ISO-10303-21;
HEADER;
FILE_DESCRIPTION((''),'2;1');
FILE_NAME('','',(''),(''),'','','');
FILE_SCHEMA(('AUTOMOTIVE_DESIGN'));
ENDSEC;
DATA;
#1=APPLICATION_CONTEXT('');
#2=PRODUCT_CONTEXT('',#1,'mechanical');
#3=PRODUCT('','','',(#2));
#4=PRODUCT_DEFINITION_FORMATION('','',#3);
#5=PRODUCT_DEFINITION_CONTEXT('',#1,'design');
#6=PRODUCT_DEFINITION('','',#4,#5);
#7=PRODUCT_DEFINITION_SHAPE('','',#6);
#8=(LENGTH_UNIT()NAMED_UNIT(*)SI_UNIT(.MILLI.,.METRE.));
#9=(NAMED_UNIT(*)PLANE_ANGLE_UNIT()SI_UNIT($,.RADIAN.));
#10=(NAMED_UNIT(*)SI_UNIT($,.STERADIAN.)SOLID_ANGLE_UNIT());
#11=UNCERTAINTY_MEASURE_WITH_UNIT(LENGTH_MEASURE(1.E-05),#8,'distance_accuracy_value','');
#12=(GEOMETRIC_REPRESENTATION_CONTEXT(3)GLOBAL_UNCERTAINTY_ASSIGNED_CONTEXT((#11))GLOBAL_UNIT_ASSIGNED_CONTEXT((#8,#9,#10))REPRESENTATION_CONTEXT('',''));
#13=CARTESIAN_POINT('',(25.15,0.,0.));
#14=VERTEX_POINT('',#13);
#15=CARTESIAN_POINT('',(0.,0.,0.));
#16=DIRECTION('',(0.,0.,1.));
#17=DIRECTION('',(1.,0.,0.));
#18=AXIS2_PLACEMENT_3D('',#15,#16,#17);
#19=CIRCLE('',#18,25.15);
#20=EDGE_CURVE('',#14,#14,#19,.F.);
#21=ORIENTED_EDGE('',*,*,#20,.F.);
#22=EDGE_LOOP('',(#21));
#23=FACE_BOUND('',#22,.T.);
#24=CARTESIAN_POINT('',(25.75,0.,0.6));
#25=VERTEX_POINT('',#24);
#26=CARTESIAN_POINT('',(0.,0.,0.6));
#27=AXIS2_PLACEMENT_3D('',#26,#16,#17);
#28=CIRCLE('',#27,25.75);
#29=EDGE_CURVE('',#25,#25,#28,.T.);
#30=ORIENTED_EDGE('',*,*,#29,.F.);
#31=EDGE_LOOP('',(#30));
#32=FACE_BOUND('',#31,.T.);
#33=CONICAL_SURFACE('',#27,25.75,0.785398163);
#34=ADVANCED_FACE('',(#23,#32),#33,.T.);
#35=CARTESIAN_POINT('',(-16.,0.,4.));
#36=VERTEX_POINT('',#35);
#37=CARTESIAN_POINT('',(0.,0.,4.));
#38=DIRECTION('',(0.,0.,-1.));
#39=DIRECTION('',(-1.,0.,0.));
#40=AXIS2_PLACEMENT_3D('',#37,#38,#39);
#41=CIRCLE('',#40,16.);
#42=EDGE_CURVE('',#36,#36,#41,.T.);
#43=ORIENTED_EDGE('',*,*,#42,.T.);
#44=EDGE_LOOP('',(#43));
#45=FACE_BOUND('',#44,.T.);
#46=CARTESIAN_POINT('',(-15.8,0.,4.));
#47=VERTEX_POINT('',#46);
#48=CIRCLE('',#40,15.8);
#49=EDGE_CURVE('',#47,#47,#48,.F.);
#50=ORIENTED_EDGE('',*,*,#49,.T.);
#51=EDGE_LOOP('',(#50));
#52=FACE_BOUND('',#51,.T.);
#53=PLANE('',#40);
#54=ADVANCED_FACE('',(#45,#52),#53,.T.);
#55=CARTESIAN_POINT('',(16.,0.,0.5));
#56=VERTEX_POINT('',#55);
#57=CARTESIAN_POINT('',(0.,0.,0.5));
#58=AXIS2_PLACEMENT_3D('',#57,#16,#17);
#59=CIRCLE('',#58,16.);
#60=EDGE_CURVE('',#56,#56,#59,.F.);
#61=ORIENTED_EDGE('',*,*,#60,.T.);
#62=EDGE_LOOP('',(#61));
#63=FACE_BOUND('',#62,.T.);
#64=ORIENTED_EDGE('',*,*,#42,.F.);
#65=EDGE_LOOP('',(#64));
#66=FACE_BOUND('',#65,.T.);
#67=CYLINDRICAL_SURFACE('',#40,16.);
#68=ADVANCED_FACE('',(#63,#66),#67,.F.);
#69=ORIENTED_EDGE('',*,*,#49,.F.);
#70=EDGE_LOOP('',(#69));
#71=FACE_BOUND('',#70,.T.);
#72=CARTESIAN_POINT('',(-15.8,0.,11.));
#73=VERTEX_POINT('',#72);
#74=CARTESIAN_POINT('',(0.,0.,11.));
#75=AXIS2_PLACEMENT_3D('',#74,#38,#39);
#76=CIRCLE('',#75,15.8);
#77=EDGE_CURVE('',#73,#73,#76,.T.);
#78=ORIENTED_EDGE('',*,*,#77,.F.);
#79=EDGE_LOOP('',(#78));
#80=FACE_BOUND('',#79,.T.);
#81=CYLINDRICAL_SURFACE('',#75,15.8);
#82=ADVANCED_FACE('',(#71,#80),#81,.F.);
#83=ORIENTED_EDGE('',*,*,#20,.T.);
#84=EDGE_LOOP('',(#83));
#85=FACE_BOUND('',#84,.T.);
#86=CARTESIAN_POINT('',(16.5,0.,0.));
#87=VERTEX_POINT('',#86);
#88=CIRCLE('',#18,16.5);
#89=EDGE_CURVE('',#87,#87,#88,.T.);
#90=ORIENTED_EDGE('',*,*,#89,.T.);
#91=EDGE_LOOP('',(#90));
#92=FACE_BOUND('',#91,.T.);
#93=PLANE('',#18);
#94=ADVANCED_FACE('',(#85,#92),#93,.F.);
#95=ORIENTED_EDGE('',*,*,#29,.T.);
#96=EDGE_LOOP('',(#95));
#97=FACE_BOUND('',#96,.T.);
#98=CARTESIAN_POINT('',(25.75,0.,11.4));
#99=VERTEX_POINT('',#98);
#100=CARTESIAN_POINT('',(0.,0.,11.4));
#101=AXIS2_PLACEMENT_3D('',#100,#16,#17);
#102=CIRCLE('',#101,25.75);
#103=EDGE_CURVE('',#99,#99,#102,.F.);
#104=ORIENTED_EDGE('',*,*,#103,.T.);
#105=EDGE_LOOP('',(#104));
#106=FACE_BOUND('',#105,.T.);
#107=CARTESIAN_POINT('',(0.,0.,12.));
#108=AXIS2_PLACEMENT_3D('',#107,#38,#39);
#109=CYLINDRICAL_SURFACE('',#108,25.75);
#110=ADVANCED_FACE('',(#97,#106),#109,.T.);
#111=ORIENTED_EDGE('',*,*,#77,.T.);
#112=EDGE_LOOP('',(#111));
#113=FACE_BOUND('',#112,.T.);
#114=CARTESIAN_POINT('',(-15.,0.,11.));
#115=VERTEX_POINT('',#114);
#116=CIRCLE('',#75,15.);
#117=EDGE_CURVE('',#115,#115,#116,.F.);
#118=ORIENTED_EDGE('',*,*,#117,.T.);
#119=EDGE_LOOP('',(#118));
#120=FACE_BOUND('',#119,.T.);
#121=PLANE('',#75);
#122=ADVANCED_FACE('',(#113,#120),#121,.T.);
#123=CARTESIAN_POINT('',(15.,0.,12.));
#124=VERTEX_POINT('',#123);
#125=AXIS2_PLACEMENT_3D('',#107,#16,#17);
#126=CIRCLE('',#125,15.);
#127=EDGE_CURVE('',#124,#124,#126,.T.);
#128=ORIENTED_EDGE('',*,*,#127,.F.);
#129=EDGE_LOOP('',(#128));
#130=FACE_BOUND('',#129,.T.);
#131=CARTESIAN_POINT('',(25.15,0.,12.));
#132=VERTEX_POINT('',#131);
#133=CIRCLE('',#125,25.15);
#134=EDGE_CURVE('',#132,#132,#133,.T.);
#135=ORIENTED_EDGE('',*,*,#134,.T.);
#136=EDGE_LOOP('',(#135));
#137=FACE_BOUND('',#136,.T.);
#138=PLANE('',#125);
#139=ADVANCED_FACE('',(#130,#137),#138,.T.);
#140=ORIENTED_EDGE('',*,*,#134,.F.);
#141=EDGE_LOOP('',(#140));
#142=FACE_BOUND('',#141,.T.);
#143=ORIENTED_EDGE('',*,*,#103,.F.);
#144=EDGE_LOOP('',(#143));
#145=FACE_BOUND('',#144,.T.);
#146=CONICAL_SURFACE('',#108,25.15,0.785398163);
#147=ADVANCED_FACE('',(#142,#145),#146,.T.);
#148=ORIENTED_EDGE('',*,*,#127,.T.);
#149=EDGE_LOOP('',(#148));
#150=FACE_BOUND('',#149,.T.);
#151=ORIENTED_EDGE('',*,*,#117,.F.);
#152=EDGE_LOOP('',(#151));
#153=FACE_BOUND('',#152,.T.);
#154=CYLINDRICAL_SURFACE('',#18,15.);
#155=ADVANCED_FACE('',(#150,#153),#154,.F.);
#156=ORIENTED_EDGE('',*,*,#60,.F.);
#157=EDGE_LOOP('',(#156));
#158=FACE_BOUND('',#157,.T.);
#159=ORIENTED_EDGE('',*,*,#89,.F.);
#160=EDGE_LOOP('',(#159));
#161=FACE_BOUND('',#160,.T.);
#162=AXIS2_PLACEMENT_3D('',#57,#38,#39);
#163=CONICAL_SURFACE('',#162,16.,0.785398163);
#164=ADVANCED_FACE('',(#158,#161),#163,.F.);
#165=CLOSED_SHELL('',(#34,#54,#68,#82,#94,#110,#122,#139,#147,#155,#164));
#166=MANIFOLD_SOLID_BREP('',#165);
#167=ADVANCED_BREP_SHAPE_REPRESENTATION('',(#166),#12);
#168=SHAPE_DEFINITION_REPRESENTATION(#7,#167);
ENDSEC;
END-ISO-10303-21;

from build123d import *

# Parameters (mm, degrees)
SKETCH1_R           = 25.75
BOSS_EXTRUDE1_DEPTH = 12
CHAMFER1_SIZE       = 0.6
SKETCH2_R           = 15
CUT_EXTRUDE1_DEPTH  = 13
SKETCH3_R           = 15.8
CUT_EXTRUDE2_DEPTH  = 11
SKETCH4_R           = 16
CUT_EXTRUDE3_DEPTH  = 4
CHAMFER2_SIZE       = 0.5


with BuildPart() as part:
    # Sketch1 → Boss-Extrude1 (new body)
    with BuildSketch(Plane.XY):
        Circle(SKETCH1_R)
    extrude(amount=BOSS_EXTRUDE1_DEPTH)

    # Chamfer1
    chamfer1_edges = [part.edges().sort_by_distance(p)[0] for p in [
        (-25.75, 0, 0),
        (-25.75, 0, 12),
    ]]
    chamfer(chamfer1_edges, length=CHAMFER1_SIZE)

    # Sketch2 → Cut-Extrude1 (cut, through all)
    with BuildSketch(Plane.XY.offset(12)):
        Circle(SKETCH2_R)
    extrude(amount=-CUT_EXTRUDE1_DEPTH, mode=Mode.SUBTRACT)

    # Sketch3 → Cut-Extrude2 (cut)
    with BuildSketch(Plane(origin=(0, 0, 0), x_dir=(-1, 0, 0), z_dir=(0, 0, -1))):
        Circle(SKETCH3_R)
    extrude(amount=-CUT_EXTRUDE2_DEPTH, mode=Mode.SUBTRACT)

    # Sketch4 → Cut-Extrude3 (cut)
    with BuildSketch(Plane(origin=(0, 0, 0), x_dir=(-1, 0, 0), z_dir=(0, 0, -1))):
        Circle(SKETCH4_R)
    extrude(amount=-CUT_EXTRUDE3_DEPTH, mode=Mode.SUBTRACT)

    # Chamfer2
    chamfer2_edges = [part.edges().sort_by_distance(p)[0] for p in [
        (16, 0, 0),
    ]]
    chamfer(chamfer2_edges, length=CHAMFER2_SIZE)


solid = part.part
